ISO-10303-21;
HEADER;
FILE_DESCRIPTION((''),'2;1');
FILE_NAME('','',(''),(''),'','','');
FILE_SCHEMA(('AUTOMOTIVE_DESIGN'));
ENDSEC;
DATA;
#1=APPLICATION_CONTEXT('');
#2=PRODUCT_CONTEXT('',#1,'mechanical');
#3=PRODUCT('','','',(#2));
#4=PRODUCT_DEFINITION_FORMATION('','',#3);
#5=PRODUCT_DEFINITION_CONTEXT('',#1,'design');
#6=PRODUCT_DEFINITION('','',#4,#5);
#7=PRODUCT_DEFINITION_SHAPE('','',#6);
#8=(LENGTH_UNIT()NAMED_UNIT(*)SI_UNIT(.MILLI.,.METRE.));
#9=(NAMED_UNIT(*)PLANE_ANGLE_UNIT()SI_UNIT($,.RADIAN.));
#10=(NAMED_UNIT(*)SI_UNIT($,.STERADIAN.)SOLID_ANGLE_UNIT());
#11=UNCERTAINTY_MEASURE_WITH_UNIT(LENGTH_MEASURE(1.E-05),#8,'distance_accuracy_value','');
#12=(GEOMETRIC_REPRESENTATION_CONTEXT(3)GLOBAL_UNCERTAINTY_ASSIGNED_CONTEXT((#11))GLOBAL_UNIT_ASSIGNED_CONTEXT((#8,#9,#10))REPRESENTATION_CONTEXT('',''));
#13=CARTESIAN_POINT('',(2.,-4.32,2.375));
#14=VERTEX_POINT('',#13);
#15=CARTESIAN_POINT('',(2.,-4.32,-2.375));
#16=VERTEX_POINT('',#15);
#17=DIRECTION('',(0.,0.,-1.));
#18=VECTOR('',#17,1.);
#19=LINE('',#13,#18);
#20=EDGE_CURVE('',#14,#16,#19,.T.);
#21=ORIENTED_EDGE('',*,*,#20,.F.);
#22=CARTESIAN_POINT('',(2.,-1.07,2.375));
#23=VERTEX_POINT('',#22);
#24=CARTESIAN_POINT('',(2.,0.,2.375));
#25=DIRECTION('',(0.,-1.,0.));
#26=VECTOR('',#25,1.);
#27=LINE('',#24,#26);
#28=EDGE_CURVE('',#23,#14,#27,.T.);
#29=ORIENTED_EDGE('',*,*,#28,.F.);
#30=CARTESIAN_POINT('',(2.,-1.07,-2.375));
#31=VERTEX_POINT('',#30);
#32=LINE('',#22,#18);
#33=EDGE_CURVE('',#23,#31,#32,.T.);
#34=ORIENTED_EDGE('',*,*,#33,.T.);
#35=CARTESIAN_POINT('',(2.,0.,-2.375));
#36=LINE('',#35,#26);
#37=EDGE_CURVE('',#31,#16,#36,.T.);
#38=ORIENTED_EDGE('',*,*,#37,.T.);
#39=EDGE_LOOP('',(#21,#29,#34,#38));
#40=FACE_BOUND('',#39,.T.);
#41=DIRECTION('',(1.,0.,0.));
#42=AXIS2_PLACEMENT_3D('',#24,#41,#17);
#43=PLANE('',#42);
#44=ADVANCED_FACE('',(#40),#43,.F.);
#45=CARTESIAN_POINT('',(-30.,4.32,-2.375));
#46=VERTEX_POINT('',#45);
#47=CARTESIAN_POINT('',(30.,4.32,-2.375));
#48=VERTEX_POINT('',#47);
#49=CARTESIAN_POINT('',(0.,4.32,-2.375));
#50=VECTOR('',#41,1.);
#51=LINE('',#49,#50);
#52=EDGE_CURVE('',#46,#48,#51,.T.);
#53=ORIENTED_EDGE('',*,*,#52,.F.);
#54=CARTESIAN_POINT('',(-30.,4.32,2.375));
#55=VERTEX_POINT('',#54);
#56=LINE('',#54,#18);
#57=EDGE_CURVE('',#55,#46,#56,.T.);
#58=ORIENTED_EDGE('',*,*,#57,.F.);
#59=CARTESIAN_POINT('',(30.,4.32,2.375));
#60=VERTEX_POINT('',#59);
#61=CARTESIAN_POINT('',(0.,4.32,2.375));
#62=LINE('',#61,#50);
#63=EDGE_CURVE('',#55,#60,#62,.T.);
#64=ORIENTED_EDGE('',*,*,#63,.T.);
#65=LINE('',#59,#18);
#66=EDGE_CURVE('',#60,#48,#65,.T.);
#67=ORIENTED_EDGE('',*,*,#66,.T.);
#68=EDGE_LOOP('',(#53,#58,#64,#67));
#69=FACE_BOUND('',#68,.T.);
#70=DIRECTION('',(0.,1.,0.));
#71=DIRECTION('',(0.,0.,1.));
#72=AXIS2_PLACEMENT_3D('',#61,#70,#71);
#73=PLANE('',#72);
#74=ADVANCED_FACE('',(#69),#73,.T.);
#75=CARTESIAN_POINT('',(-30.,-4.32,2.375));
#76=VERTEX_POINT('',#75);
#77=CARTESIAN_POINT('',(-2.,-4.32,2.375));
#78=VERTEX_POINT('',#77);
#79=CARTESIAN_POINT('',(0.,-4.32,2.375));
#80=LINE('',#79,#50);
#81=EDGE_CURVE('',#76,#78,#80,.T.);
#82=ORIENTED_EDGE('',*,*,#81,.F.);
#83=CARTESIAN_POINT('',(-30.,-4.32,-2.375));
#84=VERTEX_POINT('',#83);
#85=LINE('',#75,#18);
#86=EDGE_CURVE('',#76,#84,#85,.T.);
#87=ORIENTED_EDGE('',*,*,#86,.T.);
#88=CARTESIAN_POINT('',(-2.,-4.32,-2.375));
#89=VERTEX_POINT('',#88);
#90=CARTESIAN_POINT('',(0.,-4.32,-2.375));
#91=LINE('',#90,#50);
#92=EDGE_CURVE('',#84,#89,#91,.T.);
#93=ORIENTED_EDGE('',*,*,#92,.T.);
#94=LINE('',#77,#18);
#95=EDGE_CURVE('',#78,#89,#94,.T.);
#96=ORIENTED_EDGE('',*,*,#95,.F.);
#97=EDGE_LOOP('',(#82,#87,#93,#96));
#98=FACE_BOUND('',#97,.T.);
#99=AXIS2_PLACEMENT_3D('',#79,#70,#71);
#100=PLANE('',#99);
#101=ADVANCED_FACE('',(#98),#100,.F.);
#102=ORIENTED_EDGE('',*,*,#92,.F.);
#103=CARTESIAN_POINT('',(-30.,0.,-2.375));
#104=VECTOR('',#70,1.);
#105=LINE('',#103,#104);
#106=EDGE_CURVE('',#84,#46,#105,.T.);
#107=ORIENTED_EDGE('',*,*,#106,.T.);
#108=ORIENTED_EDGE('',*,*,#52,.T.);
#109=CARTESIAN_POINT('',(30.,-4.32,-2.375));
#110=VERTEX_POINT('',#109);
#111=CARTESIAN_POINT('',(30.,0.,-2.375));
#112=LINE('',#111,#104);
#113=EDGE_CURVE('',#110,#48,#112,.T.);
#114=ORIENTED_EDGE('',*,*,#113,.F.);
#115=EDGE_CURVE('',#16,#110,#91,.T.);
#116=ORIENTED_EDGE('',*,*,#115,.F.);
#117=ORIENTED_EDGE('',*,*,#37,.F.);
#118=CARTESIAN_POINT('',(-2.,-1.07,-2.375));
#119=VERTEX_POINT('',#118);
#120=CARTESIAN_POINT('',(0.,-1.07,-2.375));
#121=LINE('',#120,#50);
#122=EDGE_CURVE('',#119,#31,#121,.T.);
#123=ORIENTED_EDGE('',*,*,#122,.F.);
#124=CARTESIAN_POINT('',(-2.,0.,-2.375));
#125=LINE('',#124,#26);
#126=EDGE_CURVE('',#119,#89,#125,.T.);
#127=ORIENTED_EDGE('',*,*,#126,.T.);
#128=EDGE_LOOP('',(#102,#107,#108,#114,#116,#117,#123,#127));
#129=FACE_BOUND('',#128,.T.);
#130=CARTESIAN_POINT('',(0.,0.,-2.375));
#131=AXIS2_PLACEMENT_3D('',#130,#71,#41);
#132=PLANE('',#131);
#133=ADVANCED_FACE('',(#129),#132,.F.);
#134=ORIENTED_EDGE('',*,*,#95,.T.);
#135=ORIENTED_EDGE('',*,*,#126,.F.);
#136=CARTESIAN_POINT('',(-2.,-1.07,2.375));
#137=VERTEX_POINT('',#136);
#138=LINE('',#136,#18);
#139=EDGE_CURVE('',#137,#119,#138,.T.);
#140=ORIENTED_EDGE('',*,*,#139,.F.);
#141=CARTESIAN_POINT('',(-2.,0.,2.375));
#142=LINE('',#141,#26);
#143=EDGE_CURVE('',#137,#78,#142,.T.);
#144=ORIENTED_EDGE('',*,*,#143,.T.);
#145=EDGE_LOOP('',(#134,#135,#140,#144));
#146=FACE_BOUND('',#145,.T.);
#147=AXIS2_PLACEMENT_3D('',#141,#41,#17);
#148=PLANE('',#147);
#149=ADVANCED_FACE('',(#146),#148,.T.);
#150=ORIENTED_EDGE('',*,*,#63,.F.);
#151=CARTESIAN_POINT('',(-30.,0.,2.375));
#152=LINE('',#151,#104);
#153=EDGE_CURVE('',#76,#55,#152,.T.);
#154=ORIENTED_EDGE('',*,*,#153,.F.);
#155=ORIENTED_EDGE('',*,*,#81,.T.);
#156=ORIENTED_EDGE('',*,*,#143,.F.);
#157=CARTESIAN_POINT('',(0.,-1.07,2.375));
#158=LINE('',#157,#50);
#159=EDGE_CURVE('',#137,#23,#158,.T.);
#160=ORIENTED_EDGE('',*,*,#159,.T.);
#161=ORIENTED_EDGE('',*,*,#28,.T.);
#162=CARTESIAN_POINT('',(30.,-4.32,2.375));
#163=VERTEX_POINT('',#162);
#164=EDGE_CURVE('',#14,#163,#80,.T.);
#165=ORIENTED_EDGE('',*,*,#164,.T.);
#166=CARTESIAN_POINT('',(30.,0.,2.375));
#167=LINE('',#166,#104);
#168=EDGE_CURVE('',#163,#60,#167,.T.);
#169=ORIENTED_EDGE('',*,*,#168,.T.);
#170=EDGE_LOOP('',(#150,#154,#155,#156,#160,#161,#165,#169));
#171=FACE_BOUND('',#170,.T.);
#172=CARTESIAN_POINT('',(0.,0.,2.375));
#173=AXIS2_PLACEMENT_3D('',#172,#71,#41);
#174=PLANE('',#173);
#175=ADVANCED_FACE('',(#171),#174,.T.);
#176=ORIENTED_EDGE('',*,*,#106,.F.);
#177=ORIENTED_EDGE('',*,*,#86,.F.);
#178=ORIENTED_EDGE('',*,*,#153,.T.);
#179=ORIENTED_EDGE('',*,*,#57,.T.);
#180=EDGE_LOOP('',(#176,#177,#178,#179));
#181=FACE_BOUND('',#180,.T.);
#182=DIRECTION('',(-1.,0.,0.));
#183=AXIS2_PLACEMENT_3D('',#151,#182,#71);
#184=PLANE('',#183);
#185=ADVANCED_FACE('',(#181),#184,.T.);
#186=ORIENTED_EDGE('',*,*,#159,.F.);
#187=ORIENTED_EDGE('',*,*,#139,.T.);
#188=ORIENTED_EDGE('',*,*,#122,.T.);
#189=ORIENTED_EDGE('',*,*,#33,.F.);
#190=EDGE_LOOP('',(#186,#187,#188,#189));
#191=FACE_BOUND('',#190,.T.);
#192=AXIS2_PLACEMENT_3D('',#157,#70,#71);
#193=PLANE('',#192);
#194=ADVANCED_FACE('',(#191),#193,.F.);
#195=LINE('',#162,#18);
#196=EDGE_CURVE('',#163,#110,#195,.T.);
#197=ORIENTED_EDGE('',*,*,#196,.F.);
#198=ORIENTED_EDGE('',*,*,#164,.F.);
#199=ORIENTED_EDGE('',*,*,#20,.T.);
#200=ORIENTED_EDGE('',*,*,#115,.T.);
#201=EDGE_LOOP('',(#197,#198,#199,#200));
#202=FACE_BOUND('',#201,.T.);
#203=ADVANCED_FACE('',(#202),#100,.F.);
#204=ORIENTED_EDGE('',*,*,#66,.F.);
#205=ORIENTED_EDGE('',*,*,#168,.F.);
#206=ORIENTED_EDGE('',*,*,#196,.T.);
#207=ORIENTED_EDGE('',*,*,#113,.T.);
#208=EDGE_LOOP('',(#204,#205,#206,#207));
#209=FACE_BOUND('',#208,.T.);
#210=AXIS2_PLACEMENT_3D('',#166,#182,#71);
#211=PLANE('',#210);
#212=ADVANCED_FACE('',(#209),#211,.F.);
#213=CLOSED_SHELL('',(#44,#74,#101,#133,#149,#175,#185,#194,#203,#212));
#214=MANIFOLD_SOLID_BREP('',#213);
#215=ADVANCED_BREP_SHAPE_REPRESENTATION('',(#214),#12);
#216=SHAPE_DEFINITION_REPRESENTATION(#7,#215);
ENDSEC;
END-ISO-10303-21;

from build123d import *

# Parameters (mm, degrees)
SALIENTE_EXTRUIR1_DEPTH = 2.375


with BuildPart() as part:
    # Croquis1 → Saliente-Extruir1 (new, symmetric)
    with BuildSketch(Plane.XY):
        Polygon((-30, 4.32), (-30, -4.32), (-2, -4.32), (-2, -1.07), (2, -1.07), (2, -4.32), (30, -4.32), (30, 4.32), align=None)
    extrude(amount=SALIENTE_EXTRUIR1_DEPTH, both=True)


solid = part.part
